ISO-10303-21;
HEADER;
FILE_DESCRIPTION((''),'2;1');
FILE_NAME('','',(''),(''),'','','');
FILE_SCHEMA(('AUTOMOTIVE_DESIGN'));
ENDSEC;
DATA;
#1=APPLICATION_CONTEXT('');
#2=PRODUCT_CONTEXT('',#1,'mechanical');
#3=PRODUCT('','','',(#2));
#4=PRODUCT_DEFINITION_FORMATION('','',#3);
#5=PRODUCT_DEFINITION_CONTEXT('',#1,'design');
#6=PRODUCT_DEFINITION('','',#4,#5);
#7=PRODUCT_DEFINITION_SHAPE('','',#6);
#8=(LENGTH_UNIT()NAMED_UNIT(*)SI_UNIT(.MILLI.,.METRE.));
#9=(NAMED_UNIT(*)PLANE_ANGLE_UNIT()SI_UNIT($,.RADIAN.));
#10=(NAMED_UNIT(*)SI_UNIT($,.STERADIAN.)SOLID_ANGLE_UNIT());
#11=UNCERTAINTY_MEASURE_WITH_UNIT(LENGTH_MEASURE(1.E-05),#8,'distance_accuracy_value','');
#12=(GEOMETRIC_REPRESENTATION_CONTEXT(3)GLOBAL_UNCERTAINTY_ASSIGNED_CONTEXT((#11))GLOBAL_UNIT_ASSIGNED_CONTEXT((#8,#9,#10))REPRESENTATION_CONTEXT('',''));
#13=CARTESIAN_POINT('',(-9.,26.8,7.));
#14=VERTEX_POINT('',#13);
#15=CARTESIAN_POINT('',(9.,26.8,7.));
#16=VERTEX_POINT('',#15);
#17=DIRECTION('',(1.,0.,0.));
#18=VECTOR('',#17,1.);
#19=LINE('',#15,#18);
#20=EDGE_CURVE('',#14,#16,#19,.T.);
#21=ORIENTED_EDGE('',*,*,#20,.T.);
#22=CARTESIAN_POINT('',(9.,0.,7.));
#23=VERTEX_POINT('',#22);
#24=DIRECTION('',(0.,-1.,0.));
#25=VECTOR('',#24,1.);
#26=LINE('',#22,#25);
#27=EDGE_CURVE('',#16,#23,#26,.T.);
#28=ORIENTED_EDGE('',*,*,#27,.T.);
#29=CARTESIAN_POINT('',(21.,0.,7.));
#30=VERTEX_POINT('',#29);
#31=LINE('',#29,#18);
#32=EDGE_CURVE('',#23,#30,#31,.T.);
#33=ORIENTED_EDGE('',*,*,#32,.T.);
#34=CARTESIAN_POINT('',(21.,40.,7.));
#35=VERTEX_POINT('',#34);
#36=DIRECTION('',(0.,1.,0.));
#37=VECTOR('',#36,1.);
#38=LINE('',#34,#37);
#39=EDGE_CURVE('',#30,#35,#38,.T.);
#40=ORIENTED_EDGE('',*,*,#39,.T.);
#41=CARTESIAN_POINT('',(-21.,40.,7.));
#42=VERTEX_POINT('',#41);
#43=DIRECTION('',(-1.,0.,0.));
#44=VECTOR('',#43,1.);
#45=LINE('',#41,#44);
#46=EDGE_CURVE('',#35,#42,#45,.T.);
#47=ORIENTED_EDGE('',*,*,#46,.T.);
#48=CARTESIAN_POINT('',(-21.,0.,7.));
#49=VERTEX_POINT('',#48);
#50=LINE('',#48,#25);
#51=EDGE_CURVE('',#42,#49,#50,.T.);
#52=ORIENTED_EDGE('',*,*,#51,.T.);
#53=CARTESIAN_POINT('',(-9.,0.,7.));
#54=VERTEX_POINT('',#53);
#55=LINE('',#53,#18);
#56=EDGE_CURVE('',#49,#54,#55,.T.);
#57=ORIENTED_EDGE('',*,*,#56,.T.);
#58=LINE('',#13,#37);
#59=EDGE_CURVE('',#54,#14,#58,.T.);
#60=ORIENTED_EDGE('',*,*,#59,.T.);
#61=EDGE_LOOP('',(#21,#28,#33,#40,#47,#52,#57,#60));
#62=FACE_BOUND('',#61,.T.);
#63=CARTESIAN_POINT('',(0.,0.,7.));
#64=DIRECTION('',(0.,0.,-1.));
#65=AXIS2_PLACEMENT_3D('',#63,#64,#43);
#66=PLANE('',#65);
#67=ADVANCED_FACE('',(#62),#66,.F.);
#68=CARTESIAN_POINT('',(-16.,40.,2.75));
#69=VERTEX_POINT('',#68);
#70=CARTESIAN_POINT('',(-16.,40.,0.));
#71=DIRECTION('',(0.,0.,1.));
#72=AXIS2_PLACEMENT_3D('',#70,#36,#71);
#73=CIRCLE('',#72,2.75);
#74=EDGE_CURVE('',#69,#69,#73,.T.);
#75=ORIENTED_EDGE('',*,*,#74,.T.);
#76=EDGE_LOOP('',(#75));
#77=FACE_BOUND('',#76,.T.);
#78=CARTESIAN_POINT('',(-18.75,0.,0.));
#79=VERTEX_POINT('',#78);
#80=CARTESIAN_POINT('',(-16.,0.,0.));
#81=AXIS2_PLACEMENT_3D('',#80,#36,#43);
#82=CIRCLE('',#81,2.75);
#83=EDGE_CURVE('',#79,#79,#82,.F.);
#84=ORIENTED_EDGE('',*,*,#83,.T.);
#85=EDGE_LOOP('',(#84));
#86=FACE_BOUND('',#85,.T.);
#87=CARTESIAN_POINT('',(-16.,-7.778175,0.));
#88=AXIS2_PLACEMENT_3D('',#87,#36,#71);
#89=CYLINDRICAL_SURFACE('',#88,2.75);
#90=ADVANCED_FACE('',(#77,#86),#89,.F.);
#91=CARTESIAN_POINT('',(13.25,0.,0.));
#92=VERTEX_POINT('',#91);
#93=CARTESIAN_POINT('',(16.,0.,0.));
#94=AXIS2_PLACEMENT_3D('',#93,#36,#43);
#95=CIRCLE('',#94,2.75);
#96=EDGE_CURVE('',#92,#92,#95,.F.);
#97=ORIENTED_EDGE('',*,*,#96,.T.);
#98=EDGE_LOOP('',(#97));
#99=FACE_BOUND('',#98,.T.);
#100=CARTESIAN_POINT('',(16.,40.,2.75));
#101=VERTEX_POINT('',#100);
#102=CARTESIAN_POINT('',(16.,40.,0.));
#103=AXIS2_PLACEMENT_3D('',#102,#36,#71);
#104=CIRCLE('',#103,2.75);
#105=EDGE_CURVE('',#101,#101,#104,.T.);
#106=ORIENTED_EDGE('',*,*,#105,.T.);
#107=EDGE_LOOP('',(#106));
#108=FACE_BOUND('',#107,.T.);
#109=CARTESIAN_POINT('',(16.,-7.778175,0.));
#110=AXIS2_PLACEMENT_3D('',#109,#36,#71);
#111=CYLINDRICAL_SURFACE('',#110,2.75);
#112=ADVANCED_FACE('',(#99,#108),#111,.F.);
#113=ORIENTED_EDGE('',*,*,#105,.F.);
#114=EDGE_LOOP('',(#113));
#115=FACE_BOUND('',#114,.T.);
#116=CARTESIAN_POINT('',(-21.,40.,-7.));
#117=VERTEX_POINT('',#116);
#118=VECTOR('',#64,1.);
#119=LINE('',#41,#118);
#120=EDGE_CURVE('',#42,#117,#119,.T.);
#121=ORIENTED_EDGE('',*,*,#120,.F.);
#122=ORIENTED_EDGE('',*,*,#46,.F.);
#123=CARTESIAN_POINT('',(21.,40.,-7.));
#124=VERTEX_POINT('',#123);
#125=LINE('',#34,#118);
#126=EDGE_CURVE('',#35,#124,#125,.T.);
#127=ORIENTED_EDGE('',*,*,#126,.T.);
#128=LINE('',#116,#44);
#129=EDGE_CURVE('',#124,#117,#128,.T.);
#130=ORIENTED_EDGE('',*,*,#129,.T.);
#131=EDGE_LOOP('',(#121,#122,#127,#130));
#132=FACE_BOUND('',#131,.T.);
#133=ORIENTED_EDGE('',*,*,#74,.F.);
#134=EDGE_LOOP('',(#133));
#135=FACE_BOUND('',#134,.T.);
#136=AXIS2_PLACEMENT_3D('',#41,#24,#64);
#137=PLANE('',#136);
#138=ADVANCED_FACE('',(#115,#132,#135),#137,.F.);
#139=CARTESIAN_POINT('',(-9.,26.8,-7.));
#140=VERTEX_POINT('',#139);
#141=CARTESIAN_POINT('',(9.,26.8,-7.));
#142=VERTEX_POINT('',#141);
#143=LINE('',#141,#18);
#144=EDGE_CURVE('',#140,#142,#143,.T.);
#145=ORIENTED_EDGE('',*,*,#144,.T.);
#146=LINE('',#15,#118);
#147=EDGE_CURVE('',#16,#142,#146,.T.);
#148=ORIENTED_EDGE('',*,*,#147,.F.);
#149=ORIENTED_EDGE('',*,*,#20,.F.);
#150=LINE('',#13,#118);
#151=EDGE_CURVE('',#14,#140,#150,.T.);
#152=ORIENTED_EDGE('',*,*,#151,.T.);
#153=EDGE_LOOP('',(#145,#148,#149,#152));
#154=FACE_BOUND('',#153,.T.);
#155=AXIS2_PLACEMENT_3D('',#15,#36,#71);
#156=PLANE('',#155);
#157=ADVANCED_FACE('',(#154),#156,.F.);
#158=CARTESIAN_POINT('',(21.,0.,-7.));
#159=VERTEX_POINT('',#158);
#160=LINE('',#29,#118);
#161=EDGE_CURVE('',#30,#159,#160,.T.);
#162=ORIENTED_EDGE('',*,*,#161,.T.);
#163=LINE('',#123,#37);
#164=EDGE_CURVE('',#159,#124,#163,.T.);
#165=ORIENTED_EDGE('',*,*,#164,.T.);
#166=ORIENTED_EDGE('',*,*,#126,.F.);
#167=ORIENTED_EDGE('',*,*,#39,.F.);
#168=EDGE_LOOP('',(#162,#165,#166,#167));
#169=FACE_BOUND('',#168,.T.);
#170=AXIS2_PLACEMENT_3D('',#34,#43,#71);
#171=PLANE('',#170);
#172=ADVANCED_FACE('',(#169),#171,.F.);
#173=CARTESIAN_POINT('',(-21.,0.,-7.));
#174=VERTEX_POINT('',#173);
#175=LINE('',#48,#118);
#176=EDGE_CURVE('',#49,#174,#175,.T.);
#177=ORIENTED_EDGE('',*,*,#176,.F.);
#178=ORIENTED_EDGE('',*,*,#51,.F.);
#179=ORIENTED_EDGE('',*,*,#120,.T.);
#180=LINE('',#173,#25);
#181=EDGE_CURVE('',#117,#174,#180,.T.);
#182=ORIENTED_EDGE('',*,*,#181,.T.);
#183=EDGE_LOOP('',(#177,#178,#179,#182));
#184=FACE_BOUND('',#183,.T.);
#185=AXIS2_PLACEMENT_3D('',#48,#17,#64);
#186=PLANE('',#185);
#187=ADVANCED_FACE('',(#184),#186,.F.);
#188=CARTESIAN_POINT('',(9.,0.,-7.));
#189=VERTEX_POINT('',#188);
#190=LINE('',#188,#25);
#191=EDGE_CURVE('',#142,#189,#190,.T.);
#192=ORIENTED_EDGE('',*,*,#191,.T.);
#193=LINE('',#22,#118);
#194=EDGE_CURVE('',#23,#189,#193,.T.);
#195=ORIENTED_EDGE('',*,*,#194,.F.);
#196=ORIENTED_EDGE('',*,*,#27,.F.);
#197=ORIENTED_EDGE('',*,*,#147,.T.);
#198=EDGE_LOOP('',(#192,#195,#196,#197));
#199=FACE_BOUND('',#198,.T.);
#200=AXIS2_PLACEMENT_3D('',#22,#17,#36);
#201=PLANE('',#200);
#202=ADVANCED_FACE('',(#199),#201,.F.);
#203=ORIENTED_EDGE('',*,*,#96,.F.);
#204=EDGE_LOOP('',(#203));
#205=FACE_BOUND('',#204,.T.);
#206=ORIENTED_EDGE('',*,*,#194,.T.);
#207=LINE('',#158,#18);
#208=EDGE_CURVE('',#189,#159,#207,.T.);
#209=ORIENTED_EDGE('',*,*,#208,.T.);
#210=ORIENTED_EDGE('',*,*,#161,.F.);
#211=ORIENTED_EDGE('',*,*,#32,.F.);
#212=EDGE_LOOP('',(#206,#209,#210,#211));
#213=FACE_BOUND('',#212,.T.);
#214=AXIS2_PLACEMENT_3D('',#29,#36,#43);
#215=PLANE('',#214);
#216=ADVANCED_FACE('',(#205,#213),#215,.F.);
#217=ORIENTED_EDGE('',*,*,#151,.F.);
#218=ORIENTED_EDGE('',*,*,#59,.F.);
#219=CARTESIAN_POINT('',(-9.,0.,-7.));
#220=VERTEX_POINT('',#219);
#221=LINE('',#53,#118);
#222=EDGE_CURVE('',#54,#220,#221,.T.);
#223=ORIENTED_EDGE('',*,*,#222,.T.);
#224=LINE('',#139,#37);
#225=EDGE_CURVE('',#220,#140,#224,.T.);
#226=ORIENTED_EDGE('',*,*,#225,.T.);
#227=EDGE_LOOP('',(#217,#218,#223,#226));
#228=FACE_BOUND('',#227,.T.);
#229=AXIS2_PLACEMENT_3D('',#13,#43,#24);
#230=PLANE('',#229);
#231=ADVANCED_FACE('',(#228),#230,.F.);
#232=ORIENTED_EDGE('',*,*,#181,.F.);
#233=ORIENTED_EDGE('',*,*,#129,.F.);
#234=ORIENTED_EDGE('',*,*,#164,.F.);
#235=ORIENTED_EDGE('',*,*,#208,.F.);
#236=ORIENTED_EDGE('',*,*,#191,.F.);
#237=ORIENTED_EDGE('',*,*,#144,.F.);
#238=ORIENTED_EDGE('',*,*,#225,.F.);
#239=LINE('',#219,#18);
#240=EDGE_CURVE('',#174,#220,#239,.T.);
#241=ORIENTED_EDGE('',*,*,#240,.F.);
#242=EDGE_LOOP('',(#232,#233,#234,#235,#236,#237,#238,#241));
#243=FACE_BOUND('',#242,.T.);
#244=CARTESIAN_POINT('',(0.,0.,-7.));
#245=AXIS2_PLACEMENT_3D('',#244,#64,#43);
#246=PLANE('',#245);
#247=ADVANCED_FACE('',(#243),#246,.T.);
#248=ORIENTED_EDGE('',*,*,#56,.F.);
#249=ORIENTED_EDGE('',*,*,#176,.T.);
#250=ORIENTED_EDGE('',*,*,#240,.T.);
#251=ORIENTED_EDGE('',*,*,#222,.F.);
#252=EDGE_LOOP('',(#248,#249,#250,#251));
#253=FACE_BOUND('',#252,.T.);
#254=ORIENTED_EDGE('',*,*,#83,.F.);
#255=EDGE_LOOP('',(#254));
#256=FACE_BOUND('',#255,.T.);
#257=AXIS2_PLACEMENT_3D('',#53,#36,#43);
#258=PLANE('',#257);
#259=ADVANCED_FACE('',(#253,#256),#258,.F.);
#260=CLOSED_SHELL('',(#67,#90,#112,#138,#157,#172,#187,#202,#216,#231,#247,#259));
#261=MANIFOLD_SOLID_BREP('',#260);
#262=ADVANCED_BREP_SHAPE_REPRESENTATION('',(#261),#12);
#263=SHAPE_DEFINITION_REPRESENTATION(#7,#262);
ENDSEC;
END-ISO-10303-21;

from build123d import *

# Parameters (mm, degrees)
BOSS_EXTRUDE1_DEPTH = 7
SKETCH4_R           = 2.75
CUT_EXTRUDE1_DEPTH  = 40


with BuildPart() as part:
    # Sketch3 → Boss-Extrude1 (new body, symmetric)
    with BuildSketch(Plane.XY):
        Polygon((-9, 0), (-21, 0), (-21, 40), (21, 40), (21, 0), (9, 0), (9, 26.8), (-9, 26.8), align=None)
    extrude(amount=BOSS_EXTRUDE1_DEPTH, both=True)

    # Sketch4 → Cut-Extrude1 (cut)
    with BuildSketch(Plane(origin=(0, 40, 0), x_dir=(1, 0, 0), z_dir=(0, 1, 0))):
        with Locations((-16, 0)):
            Circle(SKETCH4_R)
        with Locations((16, 0)):
            Circle(SKETCH4_R)
    extrude(amount=-CUT_EXTRUDE1_DEPTH, mode=Mode.SUBTRACT)


solid = part.part
